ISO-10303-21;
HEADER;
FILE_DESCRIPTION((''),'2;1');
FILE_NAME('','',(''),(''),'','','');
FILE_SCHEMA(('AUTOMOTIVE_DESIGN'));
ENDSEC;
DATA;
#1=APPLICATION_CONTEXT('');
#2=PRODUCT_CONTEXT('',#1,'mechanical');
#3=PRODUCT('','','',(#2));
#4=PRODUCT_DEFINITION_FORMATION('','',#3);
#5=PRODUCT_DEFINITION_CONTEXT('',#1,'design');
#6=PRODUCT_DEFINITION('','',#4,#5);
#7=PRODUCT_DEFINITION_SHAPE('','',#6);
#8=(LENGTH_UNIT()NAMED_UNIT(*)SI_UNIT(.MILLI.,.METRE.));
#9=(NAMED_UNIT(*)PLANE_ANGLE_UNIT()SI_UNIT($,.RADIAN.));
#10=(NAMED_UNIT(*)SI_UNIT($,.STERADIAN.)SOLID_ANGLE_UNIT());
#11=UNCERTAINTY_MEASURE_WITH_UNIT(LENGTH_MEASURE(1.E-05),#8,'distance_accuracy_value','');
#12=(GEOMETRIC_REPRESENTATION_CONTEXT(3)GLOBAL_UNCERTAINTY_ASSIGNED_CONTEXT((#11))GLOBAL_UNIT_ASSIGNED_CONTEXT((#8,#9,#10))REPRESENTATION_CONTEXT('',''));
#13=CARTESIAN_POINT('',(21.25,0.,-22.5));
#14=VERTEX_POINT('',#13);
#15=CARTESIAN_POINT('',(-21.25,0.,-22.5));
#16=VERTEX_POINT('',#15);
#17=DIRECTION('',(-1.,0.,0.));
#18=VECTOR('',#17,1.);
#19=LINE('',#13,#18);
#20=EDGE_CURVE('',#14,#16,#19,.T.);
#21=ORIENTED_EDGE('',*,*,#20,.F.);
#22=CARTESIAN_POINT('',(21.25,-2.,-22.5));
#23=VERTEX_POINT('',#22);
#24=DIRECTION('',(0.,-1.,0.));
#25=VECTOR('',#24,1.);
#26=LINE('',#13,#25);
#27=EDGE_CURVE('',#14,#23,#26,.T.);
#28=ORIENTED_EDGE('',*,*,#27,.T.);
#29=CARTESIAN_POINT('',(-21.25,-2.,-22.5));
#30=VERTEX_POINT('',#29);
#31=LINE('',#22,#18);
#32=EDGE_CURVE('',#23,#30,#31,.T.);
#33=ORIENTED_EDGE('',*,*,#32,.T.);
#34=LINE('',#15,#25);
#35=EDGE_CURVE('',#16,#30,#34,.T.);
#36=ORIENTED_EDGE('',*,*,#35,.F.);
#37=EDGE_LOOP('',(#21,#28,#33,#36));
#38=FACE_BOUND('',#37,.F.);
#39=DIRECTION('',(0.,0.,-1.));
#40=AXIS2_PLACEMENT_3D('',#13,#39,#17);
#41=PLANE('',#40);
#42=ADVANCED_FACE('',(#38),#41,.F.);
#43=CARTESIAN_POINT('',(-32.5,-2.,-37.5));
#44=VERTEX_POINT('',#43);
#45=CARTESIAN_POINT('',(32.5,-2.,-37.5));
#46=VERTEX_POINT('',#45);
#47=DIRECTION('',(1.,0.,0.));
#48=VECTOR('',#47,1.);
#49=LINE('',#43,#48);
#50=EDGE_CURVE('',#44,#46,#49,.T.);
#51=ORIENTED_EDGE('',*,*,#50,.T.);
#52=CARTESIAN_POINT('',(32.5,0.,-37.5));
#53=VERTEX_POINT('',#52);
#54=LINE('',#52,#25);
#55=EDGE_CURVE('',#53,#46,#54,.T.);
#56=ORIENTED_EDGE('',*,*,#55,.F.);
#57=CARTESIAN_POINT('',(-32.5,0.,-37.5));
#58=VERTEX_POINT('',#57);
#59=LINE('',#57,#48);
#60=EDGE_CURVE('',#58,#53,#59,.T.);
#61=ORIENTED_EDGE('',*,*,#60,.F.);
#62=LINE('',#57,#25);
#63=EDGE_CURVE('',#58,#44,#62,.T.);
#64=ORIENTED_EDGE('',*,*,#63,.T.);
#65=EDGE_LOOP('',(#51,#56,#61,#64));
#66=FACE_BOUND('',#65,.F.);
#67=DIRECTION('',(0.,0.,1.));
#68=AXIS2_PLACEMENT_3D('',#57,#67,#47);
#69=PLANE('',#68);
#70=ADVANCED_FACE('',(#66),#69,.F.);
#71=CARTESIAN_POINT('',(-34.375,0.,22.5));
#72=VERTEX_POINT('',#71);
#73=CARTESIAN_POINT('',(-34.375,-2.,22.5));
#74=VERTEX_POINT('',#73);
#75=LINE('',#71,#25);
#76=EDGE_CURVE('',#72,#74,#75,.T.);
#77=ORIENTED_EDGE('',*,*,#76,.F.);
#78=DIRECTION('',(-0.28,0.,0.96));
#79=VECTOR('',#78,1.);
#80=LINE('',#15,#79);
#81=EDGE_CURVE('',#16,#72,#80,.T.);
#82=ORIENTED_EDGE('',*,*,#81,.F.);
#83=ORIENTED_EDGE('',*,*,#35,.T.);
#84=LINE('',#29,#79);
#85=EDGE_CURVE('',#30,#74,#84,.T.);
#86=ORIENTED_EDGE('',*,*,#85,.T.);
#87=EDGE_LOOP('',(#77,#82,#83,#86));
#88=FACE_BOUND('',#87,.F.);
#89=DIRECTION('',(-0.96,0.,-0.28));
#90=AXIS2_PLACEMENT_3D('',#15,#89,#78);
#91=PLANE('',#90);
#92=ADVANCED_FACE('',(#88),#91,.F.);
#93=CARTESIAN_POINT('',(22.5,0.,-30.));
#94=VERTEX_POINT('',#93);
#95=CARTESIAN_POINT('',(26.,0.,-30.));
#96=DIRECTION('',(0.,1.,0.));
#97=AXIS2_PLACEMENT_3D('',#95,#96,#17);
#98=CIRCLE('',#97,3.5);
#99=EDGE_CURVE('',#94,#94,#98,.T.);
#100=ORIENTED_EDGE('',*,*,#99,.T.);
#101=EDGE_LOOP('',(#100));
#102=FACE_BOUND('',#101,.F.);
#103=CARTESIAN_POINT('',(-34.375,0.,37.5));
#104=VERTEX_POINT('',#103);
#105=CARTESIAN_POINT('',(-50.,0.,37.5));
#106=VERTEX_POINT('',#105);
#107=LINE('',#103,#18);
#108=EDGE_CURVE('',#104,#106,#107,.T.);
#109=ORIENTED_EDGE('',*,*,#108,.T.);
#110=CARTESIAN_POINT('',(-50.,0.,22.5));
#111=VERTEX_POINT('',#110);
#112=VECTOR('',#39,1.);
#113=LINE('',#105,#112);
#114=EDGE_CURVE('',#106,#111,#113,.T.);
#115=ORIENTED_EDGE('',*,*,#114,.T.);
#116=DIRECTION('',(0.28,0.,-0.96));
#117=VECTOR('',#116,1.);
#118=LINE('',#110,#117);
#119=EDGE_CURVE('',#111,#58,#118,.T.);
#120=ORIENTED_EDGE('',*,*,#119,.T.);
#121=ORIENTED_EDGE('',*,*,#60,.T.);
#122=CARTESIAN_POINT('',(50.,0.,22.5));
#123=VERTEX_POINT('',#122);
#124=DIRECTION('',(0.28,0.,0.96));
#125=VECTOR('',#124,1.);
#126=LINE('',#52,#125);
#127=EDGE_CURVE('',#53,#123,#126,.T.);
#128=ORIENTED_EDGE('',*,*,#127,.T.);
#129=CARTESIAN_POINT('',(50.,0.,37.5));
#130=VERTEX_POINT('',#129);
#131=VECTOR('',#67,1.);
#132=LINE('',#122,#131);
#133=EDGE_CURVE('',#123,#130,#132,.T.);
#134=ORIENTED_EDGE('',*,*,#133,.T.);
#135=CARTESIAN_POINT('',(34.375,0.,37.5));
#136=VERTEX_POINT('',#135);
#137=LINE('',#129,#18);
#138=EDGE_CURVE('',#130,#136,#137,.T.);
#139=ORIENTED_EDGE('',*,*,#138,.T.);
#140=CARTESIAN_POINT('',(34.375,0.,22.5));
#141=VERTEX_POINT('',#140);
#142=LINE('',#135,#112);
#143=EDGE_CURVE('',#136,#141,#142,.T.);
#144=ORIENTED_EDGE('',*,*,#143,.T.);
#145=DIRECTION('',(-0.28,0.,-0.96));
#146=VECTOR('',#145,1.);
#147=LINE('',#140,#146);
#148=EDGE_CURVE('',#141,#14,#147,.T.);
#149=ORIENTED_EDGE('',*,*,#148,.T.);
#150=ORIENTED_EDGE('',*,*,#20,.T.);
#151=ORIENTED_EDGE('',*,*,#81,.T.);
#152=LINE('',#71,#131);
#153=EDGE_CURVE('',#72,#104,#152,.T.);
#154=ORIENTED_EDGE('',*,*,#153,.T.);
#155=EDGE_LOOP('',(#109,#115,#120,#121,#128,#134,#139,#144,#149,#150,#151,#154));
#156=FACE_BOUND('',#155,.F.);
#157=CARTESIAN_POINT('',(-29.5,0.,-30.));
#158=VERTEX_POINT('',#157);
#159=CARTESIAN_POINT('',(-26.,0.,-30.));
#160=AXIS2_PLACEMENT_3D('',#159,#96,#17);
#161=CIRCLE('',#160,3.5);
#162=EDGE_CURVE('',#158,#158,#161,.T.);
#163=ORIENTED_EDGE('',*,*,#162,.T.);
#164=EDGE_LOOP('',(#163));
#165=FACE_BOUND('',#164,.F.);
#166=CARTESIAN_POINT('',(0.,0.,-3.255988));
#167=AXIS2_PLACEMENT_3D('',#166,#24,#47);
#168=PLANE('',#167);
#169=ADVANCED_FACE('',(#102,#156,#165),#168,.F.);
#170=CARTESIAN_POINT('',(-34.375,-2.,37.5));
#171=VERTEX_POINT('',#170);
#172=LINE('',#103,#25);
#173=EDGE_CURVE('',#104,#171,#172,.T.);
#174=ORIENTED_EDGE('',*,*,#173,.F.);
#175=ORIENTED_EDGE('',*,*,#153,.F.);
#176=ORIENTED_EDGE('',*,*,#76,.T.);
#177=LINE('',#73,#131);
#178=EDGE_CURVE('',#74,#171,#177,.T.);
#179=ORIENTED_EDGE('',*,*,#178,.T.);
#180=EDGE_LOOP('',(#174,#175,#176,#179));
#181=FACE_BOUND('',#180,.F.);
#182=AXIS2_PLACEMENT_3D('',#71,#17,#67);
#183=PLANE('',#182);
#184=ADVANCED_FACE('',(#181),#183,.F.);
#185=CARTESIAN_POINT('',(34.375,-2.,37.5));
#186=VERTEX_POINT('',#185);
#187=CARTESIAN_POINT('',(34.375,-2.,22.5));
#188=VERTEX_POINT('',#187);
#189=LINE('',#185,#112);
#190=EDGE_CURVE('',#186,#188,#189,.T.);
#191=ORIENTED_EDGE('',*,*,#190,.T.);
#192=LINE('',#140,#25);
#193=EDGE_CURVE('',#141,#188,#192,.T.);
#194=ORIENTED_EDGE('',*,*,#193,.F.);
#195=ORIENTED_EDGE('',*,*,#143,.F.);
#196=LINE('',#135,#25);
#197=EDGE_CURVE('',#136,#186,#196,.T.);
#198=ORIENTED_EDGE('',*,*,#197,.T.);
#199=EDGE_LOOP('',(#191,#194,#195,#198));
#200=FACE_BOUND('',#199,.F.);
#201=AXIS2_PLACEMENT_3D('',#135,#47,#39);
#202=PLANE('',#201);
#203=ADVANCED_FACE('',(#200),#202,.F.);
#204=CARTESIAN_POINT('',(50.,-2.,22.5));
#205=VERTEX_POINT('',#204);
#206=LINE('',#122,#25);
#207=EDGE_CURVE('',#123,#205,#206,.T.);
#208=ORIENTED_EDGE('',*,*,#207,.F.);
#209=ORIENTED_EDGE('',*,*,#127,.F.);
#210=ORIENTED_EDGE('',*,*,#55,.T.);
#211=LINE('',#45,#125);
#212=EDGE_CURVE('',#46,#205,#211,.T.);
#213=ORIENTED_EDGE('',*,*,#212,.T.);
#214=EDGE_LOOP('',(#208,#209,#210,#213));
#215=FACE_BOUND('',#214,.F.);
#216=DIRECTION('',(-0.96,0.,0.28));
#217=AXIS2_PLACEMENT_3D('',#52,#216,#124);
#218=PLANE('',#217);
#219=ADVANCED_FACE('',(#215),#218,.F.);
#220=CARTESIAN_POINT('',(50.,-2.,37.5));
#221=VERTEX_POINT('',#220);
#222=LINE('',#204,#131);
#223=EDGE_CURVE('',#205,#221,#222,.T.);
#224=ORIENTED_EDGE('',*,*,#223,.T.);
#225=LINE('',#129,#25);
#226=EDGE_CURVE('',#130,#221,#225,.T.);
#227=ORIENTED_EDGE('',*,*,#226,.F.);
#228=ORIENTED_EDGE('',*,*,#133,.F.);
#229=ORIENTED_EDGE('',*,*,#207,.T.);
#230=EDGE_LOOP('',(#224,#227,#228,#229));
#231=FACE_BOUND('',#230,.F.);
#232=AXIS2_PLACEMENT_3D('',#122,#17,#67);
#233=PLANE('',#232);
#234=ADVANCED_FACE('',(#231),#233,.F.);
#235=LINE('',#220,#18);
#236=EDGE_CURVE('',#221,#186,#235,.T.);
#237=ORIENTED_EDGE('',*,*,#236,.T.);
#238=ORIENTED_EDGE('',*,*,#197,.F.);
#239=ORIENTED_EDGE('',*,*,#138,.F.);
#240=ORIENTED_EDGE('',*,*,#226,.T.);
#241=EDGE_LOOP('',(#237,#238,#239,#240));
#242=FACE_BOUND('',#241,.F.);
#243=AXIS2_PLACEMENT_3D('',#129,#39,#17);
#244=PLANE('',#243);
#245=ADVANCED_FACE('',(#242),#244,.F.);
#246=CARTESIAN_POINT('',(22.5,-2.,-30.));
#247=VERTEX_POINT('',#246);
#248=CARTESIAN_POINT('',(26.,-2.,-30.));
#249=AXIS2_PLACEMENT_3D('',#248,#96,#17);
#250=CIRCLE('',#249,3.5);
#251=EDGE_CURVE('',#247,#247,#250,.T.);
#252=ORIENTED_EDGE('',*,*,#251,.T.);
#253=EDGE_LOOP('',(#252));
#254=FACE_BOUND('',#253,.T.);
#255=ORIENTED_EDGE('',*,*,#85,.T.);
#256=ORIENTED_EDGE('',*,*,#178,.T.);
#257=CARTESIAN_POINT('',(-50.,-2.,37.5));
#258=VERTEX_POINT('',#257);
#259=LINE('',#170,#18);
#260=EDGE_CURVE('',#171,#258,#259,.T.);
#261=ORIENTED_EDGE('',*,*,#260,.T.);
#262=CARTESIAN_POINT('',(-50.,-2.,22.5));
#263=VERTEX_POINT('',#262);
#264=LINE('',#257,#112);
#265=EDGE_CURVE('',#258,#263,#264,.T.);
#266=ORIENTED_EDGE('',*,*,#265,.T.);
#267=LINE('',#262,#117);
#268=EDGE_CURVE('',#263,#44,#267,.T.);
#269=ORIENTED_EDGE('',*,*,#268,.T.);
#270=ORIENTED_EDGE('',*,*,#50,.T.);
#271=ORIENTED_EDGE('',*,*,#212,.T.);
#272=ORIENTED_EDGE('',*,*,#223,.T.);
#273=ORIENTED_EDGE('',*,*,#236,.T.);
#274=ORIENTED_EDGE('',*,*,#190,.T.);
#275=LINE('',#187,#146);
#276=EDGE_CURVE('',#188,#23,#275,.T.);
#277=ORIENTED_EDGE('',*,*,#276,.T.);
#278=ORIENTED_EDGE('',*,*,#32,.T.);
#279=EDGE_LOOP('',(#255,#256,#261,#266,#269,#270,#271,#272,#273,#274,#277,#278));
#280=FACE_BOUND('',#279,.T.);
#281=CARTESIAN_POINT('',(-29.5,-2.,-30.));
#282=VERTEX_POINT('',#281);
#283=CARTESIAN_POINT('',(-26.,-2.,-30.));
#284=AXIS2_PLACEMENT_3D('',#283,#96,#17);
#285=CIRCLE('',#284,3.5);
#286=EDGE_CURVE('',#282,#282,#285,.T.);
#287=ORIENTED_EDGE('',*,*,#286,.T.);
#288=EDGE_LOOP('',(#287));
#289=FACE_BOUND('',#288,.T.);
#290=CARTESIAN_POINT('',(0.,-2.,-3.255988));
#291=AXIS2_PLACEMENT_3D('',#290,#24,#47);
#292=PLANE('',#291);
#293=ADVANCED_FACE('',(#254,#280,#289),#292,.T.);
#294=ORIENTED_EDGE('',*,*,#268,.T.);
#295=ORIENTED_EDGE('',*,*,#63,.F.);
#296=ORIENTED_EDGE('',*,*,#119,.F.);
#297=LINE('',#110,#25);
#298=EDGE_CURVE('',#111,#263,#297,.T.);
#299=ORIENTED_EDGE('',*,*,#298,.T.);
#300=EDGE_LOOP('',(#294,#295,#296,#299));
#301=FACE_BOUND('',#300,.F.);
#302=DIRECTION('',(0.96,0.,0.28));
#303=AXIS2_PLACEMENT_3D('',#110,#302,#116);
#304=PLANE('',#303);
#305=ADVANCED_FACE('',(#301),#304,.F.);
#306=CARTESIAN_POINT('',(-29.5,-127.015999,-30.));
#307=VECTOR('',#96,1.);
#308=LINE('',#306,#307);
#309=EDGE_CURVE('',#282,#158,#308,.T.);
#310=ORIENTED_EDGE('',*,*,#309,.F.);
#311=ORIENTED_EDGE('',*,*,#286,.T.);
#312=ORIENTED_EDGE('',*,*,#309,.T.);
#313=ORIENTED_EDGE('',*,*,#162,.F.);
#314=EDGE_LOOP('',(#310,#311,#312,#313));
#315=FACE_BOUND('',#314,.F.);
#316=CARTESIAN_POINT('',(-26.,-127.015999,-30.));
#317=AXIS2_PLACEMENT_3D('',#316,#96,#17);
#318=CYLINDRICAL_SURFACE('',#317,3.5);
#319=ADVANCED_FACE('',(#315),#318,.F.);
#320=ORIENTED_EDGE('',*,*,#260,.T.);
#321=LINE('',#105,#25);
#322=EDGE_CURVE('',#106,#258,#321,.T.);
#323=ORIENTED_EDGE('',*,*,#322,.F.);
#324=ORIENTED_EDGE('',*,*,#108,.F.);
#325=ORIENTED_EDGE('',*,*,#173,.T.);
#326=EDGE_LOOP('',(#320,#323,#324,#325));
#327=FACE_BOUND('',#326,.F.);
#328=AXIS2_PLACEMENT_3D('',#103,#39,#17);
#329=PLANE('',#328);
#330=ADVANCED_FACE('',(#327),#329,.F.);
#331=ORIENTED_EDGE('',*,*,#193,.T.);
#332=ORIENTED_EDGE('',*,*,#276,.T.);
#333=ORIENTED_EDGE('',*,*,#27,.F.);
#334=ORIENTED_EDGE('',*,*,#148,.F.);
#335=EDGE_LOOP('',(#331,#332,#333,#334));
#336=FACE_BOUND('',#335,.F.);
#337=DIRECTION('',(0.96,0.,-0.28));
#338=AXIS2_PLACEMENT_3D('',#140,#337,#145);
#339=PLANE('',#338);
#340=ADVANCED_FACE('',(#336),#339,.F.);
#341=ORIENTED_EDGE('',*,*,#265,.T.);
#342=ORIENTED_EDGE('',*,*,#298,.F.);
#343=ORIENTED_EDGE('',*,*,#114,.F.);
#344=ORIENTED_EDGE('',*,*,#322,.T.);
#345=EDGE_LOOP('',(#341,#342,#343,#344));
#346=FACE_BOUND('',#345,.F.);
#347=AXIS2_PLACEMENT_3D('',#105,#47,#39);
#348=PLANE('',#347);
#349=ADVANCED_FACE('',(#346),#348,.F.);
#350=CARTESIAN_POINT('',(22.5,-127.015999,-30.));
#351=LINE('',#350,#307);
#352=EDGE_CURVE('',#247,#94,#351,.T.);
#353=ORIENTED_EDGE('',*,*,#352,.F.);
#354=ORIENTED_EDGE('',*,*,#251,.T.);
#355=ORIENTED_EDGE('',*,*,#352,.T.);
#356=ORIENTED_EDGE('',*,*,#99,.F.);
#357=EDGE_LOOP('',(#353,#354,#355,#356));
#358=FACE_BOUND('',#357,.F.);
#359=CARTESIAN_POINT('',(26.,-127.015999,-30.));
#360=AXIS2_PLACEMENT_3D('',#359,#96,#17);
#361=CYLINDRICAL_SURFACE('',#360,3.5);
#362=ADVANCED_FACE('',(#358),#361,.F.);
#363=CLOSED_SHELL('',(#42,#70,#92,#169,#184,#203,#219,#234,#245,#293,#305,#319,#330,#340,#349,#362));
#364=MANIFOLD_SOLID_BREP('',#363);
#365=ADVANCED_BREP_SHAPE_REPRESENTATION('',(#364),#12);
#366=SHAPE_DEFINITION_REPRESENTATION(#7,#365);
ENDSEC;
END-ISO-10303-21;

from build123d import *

# Parameters (mm, degrees)
F1_DEPTH = 2
F3_D     = 7


with BuildPart() as f1:
    # F0 (on Front) → F1 (new body)
    with BuildSketch(Plane.XZ):
        Polygon((-50, 22.5), (-32.5, -37.5), (32.5, -37.5), (50, 22.5), (50, 37.5), (34.375, 37.5), (34.375, 22.5), (21.25, -22.5), (-21.25, -22.5), (-34.375, 22.5), (-34.375, 37.5), (-50, 37.5), align=None)
    extrude(amount=F1_DEPTH)

    # F3 (through all)
    with Locations(Plane.XZ.offset(2)):
        with Locations((-26, -30), (26, -30)):
            Hole(F3_D / 2)


solid = f1.part
